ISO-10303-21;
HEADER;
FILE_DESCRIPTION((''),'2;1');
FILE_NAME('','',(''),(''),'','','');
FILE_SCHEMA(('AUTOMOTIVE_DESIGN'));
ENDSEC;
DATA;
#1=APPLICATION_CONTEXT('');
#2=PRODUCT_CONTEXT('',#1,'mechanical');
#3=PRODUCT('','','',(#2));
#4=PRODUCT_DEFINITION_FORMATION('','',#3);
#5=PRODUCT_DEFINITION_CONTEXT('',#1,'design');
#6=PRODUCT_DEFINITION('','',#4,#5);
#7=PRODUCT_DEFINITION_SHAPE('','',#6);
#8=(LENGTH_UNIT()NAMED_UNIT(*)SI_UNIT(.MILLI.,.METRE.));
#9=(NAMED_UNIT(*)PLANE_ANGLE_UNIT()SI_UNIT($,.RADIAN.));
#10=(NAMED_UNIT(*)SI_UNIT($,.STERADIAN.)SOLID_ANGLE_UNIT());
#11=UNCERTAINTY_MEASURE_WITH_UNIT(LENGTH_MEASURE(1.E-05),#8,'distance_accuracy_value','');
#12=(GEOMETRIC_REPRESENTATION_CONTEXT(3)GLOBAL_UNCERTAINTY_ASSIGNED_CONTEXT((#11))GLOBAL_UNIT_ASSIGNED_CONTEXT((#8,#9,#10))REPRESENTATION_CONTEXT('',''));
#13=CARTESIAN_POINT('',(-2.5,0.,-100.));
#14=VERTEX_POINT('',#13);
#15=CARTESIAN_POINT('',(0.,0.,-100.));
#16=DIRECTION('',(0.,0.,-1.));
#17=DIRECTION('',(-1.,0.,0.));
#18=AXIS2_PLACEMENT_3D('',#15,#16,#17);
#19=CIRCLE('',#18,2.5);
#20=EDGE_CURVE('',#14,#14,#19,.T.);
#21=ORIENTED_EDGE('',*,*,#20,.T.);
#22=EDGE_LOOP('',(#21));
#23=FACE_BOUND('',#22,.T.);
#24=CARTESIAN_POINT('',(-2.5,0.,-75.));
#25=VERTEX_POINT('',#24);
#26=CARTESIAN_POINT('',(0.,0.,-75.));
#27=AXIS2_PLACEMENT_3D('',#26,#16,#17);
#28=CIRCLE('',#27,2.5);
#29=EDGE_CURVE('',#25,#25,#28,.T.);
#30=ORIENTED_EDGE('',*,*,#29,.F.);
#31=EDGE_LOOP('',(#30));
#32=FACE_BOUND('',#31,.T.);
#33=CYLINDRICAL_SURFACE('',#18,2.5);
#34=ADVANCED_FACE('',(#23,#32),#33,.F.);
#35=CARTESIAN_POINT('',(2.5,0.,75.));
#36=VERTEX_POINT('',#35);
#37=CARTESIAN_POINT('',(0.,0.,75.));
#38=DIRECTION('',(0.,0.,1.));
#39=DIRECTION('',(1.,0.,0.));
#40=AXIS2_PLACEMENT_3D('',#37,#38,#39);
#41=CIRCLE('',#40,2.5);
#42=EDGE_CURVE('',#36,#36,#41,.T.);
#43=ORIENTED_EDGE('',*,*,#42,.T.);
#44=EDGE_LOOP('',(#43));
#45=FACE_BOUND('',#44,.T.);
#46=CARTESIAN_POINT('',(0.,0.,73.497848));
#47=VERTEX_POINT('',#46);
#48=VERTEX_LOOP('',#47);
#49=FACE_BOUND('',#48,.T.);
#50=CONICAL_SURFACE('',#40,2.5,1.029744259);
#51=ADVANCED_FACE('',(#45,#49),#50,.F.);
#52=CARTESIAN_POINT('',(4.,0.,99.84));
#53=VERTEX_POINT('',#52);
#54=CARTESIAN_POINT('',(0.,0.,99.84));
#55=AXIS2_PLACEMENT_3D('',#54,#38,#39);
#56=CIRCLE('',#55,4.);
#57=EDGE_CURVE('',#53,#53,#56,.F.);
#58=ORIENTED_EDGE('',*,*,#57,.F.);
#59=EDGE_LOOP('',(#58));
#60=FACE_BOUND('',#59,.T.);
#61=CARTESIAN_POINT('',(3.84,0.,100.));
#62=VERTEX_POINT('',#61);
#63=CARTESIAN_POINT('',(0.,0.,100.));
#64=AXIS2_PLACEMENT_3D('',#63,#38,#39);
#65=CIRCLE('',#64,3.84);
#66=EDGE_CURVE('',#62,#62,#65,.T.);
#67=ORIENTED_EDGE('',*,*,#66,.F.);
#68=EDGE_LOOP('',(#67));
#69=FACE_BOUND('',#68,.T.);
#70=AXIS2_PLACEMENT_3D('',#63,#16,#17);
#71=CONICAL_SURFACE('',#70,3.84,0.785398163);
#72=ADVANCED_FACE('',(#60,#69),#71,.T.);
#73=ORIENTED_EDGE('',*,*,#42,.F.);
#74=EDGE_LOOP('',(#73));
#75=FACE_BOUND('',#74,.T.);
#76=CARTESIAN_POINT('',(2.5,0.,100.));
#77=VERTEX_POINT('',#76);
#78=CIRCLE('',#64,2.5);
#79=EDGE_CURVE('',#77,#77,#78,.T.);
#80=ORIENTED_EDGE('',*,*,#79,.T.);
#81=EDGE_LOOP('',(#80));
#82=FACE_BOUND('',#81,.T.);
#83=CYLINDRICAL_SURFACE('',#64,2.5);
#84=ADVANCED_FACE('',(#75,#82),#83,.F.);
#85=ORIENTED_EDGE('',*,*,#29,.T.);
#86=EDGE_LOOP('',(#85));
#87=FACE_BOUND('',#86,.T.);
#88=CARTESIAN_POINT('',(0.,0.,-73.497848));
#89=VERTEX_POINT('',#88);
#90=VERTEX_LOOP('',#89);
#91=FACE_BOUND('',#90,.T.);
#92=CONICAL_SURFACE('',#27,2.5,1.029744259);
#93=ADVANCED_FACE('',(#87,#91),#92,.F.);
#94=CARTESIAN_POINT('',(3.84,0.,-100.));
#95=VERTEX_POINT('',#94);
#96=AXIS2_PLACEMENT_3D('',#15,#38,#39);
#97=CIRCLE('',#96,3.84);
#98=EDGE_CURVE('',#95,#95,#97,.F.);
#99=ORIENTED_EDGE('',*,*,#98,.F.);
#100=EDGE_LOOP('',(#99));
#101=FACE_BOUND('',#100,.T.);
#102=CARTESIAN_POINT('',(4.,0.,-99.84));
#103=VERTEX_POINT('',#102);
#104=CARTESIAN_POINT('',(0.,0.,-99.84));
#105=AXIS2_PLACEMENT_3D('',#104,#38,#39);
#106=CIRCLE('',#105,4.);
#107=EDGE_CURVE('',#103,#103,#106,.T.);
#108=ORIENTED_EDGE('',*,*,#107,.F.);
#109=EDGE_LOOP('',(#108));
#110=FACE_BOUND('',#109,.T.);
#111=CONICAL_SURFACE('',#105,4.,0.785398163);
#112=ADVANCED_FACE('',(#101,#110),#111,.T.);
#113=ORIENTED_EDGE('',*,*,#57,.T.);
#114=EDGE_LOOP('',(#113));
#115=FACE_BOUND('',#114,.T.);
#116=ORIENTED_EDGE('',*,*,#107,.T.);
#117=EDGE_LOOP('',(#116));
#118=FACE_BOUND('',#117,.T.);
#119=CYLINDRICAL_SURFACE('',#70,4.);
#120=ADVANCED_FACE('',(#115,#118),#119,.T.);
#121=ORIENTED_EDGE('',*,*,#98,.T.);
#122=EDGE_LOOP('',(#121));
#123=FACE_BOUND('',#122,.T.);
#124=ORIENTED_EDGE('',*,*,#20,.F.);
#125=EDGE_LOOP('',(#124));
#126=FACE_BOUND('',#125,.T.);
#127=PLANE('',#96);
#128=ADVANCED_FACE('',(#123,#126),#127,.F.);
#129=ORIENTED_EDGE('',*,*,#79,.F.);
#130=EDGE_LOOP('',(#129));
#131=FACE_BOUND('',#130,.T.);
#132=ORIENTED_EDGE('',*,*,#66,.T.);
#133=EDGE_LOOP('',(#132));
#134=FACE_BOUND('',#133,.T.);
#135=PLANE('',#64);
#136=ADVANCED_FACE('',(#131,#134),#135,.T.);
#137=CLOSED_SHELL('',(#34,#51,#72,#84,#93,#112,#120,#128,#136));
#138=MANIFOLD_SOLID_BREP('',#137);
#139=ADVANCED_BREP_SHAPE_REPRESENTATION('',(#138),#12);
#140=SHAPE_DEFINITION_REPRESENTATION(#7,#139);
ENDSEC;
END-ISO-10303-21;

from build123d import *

# Parameters (mm, degrees)
BOSS_EXTRUDE1_DEPTH                 = 100
BOSS_EXTRUDE1_DEPTH_BACK            = 100
SKETCH3_R                           = 4
CHAMFER1_SIZE                       = 0.16
M6X1_0_TAPPED_HOLE1_D               = 5
M6X1_0_TAPPED_HOLE1_DEPTH           = 25
M6X1_0_TAPPED_HOLE1_TIP             = 1.502151548
M6X1_0_TAPPED_HOLE1_ON_FACE_2_D     = 5
M6X1_0_TAPPED_HOLE1_ON_FACE_2_DEPTH = 25
M6X1_0_TAPPED_HOLE1_ON_FACE_2_TIP   = 1.502151548


with BuildPart() as part:
    # Sketch3 → Boss-Extrude1 (new, two sides: drawn at the far end of the back side and taken through both)
    with BuildSketch(Plane.XY.offset(-BOSS_EXTRUDE1_DEPTH_BACK)):
        Circle(SKETCH3_R)
    extrude(amount=BOSS_EXTRUDE1_DEPTH + BOSS_EXTRUDE1_DEPTH_BACK)

    # Chamfer1
    chamfer1_edges = [part.edges().sort_by_distance(p)[0] for p in [
        (-4, 0, -100),
        (-4, 0, 100),
    ]]
    chamfer(chamfer1_edges, length=CHAMFER1_SIZE)

    # M6x1.0 Tapped Hole1
    with Locations(Plane.XY.offset(100)):
        with Locations((0, 0)):
            Hole(M6X1_0_TAPPED_HOLE1_D / 2, depth=M6X1_0_TAPPED_HOLE1_DEPTH)
            with Locations((0, 0, -(M6X1_0_TAPPED_HOLE1_DEPTH + M6X1_0_TAPPED_HOLE1_TIP / 2))):  # 118° drill point
                Cone(0, M6X1_0_TAPPED_HOLE1_D / 2, M6X1_0_TAPPED_HOLE1_TIP, mode=Mode.SUBTRACT)

    # M6x1.0 Tapped Hole1 on face 2
    with Locations(Plane(origin=(0, 0, -100), x_dir=(-1, 0, 0), z_dir=(0, 0, -1))):
        with Locations((0, 0)):
            Hole(M6X1_0_TAPPED_HOLE1_ON_FACE_2_D / 2, depth=M6X1_0_TAPPED_HOLE1_ON_FACE_2_DEPTH)
            with Locations((0, 0, -(M6X1_0_TAPPED_HOLE1_ON_FACE_2_DEPTH + M6X1_0_TAPPED_HOLE1_ON_FACE_2_TIP / 2))):  # 118° drill point
                Cone(0, M6X1_0_TAPPED_HOLE1_ON_FACE_2_D / 2, M6X1_0_TAPPED_HOLE1_ON_FACE_2_TIP, mode=Mode.SUBTRACT)


solid = part.part
